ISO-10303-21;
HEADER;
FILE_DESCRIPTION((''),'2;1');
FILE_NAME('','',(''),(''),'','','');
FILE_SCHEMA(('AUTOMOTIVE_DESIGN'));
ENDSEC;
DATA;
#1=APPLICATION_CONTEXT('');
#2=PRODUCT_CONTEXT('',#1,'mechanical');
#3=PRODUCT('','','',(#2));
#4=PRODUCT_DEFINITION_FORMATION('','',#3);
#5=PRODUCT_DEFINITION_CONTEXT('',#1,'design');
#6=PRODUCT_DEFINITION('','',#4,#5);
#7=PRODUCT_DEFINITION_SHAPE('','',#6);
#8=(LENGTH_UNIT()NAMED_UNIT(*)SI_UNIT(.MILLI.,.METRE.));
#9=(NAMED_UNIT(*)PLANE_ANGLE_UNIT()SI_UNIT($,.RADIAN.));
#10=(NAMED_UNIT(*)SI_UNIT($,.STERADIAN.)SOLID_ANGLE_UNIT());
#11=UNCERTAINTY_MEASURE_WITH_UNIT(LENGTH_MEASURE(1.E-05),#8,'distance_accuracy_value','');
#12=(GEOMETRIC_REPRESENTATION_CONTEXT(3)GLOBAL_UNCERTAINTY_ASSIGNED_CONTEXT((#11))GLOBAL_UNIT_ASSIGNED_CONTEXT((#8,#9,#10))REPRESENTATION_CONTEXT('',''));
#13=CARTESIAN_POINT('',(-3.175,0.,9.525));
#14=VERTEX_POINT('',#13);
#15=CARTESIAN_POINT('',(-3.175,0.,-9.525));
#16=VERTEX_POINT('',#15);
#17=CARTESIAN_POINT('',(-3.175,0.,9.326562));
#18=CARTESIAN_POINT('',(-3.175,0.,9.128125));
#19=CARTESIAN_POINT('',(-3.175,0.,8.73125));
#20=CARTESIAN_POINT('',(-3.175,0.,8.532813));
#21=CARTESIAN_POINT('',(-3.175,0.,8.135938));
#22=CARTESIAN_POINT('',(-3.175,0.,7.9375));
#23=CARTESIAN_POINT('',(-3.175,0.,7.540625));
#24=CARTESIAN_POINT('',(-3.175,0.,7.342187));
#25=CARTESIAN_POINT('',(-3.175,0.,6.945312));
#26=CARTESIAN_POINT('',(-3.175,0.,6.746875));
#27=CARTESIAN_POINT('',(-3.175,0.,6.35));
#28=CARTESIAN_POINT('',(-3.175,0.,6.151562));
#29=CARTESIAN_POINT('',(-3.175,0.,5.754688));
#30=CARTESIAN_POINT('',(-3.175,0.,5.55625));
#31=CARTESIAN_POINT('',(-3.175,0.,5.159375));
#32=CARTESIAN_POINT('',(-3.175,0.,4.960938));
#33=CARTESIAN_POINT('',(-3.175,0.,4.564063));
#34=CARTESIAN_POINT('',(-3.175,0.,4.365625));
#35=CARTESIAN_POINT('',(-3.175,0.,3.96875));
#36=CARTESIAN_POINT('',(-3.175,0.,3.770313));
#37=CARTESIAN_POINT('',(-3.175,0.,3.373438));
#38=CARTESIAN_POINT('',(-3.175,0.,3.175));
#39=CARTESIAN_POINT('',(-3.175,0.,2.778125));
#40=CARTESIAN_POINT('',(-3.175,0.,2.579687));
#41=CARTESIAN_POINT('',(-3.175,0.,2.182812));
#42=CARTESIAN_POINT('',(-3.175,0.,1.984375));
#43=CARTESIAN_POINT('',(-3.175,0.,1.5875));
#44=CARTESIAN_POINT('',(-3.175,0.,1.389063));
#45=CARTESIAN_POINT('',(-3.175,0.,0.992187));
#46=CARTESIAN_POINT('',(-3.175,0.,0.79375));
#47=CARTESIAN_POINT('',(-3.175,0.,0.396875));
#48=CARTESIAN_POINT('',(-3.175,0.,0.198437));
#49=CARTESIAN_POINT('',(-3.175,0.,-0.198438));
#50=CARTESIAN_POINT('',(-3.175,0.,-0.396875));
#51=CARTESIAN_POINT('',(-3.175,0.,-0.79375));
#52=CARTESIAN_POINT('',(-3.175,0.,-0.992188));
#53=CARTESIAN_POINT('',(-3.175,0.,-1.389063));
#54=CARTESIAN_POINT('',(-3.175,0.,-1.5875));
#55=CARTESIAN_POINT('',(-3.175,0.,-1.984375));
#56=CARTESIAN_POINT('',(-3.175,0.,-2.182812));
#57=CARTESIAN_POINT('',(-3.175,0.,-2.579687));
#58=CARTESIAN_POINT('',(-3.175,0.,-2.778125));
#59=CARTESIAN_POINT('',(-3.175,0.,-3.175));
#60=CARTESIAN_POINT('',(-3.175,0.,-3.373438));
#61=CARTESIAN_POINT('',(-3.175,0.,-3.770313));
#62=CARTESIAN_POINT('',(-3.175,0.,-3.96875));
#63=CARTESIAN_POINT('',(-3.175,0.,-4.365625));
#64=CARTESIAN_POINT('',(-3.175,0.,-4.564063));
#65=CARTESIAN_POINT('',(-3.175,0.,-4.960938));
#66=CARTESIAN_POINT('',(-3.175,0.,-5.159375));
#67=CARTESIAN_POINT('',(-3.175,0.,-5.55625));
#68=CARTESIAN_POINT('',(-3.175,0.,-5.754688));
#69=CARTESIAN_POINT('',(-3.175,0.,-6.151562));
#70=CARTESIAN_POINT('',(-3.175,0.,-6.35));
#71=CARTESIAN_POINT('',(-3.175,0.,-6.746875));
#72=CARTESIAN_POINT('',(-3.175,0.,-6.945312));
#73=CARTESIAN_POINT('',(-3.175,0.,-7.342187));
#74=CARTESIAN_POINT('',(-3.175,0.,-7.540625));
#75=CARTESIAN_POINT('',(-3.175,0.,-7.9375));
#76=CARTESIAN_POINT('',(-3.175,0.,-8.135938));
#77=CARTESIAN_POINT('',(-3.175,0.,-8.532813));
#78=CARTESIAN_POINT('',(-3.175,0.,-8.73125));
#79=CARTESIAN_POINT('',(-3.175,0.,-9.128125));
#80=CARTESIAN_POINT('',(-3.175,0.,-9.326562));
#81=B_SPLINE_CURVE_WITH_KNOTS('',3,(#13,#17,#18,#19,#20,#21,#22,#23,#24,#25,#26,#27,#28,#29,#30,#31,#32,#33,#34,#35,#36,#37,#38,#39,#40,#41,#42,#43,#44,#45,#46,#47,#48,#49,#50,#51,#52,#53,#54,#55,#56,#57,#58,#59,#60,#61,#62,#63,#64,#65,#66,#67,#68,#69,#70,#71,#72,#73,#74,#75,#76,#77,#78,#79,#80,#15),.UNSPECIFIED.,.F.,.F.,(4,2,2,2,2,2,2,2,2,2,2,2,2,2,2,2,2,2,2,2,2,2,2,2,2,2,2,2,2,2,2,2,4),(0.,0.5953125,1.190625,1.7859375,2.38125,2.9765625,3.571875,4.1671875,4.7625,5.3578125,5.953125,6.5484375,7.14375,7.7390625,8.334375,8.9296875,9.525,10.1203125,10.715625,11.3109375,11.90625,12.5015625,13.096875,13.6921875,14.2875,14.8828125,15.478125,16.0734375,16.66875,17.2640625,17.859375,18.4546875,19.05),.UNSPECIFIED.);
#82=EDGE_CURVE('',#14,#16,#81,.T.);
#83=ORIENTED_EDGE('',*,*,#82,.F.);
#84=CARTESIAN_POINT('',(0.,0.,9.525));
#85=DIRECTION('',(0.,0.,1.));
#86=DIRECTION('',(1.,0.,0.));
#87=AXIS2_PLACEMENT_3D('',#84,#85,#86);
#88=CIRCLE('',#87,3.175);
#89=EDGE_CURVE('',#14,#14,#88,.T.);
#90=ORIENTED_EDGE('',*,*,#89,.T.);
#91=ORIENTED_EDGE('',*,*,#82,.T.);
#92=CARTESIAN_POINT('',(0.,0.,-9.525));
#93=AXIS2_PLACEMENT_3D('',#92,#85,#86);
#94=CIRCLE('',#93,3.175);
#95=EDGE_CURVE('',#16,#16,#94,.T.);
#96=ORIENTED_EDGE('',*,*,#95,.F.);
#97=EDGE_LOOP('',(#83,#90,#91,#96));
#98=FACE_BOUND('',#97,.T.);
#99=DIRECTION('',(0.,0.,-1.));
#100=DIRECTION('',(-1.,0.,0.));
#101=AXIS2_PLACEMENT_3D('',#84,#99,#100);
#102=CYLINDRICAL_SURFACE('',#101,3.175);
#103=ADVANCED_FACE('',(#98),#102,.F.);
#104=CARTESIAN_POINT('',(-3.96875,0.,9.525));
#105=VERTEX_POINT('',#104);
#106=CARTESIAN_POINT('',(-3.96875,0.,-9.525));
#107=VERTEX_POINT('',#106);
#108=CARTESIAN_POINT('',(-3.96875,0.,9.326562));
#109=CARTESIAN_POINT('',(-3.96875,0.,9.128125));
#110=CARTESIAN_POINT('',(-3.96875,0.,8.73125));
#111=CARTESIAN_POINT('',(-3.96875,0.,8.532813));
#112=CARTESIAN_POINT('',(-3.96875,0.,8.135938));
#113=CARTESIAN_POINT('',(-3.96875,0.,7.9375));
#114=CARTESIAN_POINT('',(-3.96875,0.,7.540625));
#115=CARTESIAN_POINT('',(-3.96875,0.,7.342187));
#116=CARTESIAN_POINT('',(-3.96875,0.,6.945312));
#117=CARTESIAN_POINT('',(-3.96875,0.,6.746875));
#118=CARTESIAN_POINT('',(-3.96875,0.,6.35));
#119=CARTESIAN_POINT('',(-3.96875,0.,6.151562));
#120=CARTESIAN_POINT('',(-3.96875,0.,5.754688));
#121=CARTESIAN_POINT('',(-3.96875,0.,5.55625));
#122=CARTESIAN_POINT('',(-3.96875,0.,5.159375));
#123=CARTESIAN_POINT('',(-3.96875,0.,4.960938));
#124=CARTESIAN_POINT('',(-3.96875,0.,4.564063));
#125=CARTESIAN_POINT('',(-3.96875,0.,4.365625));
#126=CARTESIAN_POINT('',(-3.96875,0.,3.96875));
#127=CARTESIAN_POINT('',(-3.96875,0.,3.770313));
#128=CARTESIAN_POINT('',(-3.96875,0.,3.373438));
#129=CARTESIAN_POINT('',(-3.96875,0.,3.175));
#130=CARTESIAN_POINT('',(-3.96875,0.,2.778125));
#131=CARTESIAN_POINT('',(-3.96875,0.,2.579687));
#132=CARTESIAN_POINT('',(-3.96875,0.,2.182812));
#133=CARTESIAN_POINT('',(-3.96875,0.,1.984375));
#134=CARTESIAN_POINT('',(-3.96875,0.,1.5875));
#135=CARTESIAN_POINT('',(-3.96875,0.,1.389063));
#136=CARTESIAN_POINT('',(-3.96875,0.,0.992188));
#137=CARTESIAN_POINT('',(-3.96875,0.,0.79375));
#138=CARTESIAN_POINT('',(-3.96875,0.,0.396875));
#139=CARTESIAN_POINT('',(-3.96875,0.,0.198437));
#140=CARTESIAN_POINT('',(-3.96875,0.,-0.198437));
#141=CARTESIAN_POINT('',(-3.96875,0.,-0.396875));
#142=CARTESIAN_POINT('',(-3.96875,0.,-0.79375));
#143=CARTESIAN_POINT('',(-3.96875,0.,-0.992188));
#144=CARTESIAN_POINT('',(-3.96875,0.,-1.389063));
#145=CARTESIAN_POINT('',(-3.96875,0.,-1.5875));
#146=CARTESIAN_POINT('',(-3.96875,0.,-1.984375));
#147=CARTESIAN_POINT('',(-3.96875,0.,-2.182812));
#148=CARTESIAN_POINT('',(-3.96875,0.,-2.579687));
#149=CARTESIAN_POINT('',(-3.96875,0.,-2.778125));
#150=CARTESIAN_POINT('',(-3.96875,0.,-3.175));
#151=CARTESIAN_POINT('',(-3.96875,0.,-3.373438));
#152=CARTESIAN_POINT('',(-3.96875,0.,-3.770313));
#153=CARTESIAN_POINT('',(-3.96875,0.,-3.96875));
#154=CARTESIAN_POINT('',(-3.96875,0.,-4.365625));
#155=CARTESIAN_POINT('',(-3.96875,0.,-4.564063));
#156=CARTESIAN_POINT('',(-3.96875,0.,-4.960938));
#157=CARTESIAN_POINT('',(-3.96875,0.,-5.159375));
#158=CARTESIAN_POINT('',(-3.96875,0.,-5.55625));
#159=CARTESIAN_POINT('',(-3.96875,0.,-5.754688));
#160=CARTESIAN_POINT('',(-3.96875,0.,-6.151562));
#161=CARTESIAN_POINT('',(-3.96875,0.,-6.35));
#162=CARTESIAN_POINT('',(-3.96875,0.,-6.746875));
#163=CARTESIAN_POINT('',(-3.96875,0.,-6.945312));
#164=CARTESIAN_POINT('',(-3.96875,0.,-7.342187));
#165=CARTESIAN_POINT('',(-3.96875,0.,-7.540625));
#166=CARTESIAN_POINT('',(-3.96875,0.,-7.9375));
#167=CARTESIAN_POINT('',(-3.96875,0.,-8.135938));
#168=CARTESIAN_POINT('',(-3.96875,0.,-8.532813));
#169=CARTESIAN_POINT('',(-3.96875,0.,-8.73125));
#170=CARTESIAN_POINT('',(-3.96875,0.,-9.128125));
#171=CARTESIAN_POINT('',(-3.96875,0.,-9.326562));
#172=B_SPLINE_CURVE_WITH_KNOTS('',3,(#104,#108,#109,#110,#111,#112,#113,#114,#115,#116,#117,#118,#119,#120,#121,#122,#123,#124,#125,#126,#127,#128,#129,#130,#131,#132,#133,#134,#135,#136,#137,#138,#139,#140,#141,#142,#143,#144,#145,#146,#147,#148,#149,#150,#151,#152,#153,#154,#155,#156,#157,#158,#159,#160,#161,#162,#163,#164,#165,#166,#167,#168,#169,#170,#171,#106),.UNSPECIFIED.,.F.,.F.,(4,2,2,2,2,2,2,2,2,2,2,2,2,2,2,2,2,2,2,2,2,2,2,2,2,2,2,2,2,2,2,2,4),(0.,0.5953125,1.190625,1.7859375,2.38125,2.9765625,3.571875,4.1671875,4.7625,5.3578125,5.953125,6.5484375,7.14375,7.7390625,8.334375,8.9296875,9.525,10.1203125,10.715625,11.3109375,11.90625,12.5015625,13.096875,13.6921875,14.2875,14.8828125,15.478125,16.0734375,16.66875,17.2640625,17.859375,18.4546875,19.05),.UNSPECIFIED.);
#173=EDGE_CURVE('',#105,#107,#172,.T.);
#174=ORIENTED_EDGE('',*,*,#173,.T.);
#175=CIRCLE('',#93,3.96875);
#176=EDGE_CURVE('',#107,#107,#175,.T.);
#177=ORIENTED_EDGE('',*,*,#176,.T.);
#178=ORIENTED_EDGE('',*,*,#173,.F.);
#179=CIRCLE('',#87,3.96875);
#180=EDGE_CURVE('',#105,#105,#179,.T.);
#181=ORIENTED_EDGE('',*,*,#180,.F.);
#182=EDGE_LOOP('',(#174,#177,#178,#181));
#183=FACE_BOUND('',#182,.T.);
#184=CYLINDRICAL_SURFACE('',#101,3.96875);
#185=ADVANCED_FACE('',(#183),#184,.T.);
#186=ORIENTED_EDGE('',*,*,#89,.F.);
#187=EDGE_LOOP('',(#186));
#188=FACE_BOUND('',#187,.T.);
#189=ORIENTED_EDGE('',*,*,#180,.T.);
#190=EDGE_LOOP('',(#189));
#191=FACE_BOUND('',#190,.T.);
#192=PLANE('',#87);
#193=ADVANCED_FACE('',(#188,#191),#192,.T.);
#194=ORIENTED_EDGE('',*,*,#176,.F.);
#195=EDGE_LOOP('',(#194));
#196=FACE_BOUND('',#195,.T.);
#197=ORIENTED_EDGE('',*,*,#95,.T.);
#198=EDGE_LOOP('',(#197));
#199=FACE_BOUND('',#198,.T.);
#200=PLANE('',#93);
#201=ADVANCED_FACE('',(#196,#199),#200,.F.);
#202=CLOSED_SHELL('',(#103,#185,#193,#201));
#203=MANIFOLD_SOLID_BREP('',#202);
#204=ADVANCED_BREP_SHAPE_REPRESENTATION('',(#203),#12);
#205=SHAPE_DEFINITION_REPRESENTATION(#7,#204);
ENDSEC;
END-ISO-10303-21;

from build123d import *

# Parameters (mm, degrees)
SKETCH1_R           = 3.96875
SKETCH1_R_2         = 3.175
BOSS_EXTRUDE1_DEPTH = 9.525


with BuildPart() as part:
    # Sketch1 → Boss-Extrude1 (new, symmetric)
    with BuildSketch(Plane.XY):
        Circle(SKETCH1_R)
        Circle(SKETCH1_R_2, mode=Mode.SUBTRACT)
    extrude(amount=BOSS_EXTRUDE1_DEPTH, both=True)


solid = part.part
